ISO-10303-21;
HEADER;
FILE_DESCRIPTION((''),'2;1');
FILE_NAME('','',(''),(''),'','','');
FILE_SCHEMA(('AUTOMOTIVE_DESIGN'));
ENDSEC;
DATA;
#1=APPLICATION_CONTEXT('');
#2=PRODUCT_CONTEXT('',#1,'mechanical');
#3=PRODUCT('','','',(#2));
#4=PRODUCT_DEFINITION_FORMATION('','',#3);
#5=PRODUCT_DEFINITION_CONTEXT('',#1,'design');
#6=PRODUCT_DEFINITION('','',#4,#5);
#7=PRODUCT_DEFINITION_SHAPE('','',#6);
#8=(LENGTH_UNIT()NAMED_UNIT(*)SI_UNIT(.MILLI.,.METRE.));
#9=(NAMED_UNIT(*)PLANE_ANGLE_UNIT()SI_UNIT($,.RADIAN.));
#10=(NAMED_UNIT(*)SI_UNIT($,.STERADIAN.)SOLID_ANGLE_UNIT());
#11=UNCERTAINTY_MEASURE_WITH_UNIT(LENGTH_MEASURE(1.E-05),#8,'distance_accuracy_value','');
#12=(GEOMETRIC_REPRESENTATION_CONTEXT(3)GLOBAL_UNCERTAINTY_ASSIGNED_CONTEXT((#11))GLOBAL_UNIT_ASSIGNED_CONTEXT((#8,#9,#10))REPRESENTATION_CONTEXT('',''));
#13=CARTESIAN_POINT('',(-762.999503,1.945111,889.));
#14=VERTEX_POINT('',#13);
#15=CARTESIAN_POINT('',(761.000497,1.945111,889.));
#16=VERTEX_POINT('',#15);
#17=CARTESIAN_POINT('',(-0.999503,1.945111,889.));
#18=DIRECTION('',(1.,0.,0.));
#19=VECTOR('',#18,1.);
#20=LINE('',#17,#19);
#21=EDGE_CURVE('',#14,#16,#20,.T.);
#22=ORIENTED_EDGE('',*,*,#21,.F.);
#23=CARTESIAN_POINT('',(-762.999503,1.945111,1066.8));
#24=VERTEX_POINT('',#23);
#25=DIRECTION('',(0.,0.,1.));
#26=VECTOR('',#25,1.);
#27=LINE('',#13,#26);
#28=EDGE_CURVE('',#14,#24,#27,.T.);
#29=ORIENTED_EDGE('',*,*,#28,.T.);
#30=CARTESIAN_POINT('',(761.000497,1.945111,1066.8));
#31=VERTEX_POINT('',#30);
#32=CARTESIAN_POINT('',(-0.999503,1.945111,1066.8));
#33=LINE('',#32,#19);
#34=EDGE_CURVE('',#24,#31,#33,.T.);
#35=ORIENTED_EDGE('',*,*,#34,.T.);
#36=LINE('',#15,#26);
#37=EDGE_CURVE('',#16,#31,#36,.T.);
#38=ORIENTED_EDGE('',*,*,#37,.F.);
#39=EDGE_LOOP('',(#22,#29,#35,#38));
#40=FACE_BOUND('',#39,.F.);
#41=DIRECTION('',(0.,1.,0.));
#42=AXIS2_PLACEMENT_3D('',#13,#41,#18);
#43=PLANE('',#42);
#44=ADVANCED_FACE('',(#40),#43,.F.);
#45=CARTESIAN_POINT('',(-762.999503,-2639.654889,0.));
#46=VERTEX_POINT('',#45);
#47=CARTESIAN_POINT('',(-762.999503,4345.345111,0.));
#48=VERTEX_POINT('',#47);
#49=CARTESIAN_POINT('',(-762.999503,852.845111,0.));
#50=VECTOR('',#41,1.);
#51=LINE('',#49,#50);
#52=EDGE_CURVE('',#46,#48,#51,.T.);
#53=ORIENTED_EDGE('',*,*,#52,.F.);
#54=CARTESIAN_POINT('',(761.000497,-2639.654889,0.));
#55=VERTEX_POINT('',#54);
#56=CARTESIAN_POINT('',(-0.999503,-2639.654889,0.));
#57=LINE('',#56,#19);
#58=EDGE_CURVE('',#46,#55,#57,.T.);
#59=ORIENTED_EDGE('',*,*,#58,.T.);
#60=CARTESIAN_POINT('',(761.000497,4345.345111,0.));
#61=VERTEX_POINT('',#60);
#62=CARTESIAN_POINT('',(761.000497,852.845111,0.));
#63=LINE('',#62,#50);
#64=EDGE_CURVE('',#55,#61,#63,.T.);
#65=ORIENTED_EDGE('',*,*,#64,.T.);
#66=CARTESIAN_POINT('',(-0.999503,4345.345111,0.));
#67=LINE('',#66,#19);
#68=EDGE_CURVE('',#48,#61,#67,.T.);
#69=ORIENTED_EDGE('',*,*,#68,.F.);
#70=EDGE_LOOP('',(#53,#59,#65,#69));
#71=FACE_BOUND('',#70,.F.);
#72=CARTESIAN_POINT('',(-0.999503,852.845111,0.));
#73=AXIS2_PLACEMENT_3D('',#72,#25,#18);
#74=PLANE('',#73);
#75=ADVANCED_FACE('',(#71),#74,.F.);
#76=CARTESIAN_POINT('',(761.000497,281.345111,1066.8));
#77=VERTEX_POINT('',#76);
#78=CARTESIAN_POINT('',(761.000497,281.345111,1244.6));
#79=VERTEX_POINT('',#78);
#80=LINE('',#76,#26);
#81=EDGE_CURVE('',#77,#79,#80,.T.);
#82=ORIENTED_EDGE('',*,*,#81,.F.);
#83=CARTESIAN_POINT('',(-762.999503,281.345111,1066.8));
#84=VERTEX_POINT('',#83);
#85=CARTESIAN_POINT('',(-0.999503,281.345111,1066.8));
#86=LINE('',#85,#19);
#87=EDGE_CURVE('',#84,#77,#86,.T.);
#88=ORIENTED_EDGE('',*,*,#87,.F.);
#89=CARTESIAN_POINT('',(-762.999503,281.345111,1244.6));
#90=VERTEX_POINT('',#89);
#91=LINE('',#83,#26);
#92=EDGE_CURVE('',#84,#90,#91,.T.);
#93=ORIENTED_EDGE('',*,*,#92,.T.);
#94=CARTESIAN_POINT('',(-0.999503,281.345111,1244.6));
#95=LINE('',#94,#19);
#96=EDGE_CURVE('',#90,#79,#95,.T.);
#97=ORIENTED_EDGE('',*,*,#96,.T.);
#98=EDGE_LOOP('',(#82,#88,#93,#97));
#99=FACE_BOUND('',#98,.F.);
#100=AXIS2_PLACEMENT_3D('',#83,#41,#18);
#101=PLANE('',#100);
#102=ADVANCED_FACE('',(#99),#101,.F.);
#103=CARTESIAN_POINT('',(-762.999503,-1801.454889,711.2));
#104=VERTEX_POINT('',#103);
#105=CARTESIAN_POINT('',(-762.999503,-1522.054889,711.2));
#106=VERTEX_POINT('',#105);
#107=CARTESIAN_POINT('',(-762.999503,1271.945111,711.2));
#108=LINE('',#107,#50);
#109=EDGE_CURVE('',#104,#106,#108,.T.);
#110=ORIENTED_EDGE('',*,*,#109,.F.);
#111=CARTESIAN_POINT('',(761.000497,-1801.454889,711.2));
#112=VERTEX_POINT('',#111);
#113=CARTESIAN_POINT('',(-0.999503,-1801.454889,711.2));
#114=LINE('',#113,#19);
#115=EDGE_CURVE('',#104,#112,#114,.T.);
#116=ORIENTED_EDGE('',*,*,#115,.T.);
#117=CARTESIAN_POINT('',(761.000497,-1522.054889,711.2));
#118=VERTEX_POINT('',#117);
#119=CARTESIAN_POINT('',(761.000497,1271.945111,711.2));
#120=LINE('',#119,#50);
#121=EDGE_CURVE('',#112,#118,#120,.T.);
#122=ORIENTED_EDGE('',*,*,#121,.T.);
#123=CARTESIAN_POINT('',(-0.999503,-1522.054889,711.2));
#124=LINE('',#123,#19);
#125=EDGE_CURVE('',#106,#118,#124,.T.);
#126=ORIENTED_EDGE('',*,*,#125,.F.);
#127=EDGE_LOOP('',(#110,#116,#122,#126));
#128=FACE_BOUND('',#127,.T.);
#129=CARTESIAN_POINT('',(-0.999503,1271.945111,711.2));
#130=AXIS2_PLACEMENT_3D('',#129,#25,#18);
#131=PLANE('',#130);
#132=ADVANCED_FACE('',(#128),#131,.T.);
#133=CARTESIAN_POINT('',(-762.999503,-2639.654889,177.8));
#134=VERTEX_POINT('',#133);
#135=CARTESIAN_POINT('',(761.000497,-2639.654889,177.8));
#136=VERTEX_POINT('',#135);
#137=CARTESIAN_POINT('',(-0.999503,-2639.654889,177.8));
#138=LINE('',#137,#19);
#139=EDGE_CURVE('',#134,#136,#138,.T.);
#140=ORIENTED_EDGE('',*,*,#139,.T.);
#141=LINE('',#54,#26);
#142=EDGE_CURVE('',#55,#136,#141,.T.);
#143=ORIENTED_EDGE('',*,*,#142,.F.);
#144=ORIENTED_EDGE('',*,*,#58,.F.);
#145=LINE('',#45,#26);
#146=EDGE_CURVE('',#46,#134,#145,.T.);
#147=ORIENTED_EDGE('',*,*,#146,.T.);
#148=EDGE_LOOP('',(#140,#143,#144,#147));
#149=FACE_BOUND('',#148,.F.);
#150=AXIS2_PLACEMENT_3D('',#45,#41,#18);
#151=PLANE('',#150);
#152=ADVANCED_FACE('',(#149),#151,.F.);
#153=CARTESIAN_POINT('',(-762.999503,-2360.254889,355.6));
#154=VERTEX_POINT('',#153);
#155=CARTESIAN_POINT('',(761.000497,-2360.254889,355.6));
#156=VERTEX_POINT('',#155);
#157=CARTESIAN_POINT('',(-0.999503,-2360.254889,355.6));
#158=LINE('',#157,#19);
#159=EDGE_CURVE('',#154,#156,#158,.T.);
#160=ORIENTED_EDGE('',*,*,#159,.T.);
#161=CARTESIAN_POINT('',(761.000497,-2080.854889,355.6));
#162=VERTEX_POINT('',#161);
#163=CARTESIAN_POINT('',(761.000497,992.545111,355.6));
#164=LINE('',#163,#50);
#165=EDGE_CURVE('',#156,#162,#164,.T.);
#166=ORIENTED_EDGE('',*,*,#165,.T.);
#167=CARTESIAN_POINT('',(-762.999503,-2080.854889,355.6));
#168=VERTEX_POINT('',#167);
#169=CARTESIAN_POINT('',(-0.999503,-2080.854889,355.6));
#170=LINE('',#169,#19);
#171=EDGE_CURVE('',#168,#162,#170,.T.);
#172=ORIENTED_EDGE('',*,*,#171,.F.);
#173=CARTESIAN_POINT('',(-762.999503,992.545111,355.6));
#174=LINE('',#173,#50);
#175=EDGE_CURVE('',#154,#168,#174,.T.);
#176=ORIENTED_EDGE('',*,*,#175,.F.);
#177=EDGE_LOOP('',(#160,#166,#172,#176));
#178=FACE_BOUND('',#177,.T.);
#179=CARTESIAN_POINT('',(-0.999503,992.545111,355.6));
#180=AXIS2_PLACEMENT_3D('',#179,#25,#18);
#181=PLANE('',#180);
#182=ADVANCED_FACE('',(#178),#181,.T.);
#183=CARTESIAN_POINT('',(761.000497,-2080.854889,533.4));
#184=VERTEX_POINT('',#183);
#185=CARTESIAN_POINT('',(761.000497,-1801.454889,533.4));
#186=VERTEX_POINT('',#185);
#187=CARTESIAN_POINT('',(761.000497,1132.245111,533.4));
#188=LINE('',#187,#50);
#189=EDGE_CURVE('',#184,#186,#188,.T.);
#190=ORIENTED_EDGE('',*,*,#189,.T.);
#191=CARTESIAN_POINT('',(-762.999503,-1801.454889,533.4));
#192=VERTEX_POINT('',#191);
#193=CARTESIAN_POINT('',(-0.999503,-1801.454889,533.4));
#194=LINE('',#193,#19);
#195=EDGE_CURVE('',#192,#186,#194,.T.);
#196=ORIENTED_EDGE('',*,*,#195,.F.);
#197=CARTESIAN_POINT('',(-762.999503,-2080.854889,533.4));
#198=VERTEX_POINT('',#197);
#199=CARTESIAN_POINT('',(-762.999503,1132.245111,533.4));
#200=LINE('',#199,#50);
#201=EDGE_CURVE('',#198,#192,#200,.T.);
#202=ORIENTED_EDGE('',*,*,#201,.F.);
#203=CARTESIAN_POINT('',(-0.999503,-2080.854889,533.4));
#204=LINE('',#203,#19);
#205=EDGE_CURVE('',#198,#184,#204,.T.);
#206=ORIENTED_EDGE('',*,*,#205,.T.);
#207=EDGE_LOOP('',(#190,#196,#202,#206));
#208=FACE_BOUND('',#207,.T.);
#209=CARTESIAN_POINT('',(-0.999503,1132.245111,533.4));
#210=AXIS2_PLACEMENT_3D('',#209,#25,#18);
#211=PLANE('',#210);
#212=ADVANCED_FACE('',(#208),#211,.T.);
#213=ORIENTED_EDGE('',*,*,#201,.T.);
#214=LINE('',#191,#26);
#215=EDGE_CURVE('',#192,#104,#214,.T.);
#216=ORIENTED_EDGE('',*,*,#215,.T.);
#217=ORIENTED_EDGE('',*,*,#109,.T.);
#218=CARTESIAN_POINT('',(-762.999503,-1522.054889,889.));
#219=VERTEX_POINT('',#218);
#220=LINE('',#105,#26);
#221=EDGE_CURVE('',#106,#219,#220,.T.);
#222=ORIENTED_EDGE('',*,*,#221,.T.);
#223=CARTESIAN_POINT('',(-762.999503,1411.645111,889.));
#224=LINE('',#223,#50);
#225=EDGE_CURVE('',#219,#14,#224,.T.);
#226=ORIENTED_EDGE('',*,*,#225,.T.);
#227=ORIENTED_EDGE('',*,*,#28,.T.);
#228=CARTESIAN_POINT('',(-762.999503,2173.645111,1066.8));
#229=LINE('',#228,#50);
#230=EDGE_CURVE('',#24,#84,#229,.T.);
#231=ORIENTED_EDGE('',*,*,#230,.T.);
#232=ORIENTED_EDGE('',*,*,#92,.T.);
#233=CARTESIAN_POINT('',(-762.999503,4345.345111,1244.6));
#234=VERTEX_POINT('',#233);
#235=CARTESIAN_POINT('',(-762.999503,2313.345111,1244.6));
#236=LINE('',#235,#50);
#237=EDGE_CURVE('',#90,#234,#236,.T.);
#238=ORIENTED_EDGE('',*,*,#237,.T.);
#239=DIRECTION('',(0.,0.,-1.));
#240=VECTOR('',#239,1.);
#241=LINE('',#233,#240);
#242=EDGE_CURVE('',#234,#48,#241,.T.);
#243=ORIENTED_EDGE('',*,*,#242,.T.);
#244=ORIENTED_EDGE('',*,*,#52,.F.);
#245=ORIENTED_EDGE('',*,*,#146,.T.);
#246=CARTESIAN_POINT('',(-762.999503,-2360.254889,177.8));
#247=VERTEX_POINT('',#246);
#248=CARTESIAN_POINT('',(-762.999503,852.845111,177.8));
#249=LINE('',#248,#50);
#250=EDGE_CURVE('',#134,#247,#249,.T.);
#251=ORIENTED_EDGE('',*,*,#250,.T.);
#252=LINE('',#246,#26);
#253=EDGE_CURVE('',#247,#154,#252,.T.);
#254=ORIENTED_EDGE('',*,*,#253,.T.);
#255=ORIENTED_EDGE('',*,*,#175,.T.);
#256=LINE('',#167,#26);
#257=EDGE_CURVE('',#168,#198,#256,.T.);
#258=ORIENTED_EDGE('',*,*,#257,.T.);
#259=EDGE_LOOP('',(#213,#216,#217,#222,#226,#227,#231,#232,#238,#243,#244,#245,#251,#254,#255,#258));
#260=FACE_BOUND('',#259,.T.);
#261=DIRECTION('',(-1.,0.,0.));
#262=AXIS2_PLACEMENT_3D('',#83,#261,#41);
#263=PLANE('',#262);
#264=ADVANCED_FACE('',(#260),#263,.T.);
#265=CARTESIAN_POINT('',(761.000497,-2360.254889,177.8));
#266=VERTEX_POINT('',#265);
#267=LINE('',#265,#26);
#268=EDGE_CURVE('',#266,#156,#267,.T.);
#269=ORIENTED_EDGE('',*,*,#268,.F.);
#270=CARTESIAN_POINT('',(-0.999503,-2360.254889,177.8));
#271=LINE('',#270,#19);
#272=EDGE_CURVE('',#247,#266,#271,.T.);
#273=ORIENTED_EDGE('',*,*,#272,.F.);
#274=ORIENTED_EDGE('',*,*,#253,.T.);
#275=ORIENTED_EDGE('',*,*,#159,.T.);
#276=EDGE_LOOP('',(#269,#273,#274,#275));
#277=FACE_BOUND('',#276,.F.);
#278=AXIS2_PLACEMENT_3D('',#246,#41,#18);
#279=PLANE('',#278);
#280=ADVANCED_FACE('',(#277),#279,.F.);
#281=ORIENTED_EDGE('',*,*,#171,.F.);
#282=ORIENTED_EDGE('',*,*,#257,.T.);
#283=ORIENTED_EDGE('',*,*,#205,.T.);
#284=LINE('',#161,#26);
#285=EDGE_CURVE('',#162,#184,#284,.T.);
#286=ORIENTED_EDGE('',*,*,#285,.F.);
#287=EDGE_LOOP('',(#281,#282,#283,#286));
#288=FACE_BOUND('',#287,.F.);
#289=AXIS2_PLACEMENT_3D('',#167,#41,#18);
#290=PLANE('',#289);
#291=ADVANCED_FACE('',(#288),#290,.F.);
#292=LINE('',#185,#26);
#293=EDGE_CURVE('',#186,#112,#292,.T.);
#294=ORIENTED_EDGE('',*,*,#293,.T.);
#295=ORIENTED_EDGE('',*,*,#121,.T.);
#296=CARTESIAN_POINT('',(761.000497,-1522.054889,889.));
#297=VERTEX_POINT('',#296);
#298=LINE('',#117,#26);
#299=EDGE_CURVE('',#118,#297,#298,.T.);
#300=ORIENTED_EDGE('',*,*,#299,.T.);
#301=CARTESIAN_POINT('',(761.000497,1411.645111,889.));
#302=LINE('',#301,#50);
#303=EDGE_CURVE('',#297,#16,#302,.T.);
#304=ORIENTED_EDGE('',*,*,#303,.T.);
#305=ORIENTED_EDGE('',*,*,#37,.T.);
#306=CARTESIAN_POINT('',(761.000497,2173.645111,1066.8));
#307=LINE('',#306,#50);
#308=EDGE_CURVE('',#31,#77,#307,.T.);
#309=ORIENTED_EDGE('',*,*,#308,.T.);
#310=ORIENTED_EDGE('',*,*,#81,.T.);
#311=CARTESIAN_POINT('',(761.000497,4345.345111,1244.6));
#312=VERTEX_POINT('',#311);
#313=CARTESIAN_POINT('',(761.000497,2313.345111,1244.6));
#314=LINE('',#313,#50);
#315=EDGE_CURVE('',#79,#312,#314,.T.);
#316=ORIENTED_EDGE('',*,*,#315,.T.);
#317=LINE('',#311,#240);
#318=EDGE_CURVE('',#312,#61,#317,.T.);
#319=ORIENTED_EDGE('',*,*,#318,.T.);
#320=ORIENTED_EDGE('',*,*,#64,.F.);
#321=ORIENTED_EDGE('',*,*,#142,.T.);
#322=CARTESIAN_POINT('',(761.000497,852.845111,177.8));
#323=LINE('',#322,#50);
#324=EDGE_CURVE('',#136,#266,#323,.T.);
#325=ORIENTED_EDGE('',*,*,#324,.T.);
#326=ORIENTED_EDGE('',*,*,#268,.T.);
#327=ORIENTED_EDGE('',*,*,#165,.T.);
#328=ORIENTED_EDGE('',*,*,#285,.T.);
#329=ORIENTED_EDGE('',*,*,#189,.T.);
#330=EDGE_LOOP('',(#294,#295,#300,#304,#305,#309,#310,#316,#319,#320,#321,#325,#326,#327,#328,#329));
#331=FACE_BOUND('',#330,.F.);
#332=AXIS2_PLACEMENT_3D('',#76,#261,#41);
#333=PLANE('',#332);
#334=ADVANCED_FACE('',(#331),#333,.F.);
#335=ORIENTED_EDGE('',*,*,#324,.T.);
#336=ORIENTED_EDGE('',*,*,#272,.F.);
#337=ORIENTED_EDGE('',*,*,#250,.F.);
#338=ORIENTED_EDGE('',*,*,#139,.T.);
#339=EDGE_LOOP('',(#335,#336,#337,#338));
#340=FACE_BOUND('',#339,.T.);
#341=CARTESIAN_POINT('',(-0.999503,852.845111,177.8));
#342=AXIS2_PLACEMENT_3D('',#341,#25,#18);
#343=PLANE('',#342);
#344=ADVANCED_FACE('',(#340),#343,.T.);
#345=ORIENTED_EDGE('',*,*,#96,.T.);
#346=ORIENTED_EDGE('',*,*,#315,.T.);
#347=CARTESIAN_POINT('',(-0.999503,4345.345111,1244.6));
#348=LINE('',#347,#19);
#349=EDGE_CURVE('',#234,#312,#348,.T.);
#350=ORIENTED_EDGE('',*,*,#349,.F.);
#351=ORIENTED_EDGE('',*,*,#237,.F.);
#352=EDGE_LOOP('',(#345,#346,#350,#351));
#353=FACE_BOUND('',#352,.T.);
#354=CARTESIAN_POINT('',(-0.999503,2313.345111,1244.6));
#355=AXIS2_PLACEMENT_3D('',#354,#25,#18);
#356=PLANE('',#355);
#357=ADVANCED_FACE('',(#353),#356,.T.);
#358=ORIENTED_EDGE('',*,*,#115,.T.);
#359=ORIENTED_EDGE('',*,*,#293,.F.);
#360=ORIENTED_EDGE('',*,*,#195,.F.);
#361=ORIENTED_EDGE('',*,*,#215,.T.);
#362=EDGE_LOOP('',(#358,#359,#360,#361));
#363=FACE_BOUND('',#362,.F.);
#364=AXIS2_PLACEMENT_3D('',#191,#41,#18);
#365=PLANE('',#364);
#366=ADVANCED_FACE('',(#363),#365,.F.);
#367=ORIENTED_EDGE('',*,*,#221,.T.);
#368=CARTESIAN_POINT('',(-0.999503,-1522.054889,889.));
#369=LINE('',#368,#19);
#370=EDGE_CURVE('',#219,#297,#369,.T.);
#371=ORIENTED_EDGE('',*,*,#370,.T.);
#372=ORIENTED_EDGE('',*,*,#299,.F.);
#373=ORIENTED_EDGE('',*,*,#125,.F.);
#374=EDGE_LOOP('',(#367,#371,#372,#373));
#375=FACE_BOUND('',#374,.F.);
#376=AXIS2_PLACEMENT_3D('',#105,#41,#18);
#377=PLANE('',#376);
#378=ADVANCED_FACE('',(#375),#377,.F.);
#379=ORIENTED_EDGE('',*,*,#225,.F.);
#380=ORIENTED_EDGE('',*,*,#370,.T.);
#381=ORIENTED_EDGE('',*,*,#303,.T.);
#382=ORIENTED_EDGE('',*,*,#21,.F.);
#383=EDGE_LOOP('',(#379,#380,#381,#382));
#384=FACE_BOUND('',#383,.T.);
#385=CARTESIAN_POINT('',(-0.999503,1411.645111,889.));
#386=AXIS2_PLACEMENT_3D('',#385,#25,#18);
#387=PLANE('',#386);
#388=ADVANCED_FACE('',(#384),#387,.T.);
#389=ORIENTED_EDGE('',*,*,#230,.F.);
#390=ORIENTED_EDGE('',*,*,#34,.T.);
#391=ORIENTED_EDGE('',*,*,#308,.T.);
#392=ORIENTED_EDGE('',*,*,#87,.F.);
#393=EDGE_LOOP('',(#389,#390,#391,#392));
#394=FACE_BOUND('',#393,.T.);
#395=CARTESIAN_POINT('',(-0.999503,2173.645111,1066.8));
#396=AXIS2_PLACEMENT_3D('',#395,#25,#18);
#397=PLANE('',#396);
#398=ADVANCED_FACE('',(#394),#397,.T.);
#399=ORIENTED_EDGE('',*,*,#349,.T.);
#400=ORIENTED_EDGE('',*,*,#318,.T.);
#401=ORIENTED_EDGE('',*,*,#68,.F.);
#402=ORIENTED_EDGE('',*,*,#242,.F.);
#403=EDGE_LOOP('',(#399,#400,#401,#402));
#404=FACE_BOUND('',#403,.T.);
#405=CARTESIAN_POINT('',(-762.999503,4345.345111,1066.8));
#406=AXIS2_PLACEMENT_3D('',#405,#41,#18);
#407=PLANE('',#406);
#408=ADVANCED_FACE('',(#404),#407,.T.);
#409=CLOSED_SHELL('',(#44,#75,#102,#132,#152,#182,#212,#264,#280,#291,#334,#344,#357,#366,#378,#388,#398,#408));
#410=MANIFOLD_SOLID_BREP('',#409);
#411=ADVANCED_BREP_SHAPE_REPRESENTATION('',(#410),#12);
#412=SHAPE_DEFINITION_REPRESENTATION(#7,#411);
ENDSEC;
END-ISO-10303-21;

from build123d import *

# Parameters (mm, degrees)
F0_W      = 1524
F0_H      = 6985
F1_DEPTH  = 177.8
F2_W      = 1524
F2_H      = 6705.6
F3_DEPTH  = 177.8
F4_W      = 1524
F4_H      = 6426.2
F5_DEPTH  = 177.8
F6_W      = 1524
F6_H      = 6146.8
F7_DEPTH  = 177.8
F8_W      = 1524
F8_H      = 5867.4
F9_DEPTH  = 177.8
F10_W     = 1524
F10_H     = 4343.4
F11_DEPTH = 177.8
F12_W     = 1524
F12_H     = 4064
F13_DEPTH = 177.8


with BuildPart() as f1:
    # F0 (on Top) → F1 (new body)
    with BuildSketch(Plane.XY):
        with Locations((-0.999503, 852.845111)):
            Rectangle(F0_W, F0_H)
    extrude(amount=F1_DEPTH)

    # F2 (on face) → F3 (join)
    with BuildSketch(Plane.XY.offset(177.8)):
        with Locations((-0.999503, 992.545111)):
            Rectangle(F2_W, F2_H)
    extrude(amount=F3_DEPTH)

    # F4 (on face) → F5 (join)
    with BuildSketch(Plane.XY.offset(355.6)):
        with Locations((-0.999503, 1132.245111)):
            Rectangle(F4_W, F4_H)
    extrude(amount=F5_DEPTH)

    # F6 (on face) → F7 (join)
    with BuildSketch(Plane.XY.offset(533.4)):
        with Locations((-0.999503, 1271.945111)):
            Rectangle(F6_W, F6_H)
    extrude(amount=F7_DEPTH)

    # F8 (on face) → F9 (join)
    with BuildSketch(Plane.XY.offset(711.2)):
        with Locations((-0.999503, 1411.645111)):
            Rectangle(F8_W, F8_H)
    extrude(amount=F9_DEPTH)

    # F10 (on face) → F11 (join)
    with BuildSketch(Plane.XY.offset(889)):
        with Locations((-0.999503, 2173.645111)):
            Rectangle(F10_W, F10_H)
    extrude(amount=F11_DEPTH)

    # F12 (on face) → F13 (join)
    with BuildSketch(Plane.XY.offset(1066.8)):
        with Locations((-0.999503, 2313.345111)):
            Rectangle(F12_W, F12_H)
    extrude(amount=F13_DEPTH)


solid = f1.part
